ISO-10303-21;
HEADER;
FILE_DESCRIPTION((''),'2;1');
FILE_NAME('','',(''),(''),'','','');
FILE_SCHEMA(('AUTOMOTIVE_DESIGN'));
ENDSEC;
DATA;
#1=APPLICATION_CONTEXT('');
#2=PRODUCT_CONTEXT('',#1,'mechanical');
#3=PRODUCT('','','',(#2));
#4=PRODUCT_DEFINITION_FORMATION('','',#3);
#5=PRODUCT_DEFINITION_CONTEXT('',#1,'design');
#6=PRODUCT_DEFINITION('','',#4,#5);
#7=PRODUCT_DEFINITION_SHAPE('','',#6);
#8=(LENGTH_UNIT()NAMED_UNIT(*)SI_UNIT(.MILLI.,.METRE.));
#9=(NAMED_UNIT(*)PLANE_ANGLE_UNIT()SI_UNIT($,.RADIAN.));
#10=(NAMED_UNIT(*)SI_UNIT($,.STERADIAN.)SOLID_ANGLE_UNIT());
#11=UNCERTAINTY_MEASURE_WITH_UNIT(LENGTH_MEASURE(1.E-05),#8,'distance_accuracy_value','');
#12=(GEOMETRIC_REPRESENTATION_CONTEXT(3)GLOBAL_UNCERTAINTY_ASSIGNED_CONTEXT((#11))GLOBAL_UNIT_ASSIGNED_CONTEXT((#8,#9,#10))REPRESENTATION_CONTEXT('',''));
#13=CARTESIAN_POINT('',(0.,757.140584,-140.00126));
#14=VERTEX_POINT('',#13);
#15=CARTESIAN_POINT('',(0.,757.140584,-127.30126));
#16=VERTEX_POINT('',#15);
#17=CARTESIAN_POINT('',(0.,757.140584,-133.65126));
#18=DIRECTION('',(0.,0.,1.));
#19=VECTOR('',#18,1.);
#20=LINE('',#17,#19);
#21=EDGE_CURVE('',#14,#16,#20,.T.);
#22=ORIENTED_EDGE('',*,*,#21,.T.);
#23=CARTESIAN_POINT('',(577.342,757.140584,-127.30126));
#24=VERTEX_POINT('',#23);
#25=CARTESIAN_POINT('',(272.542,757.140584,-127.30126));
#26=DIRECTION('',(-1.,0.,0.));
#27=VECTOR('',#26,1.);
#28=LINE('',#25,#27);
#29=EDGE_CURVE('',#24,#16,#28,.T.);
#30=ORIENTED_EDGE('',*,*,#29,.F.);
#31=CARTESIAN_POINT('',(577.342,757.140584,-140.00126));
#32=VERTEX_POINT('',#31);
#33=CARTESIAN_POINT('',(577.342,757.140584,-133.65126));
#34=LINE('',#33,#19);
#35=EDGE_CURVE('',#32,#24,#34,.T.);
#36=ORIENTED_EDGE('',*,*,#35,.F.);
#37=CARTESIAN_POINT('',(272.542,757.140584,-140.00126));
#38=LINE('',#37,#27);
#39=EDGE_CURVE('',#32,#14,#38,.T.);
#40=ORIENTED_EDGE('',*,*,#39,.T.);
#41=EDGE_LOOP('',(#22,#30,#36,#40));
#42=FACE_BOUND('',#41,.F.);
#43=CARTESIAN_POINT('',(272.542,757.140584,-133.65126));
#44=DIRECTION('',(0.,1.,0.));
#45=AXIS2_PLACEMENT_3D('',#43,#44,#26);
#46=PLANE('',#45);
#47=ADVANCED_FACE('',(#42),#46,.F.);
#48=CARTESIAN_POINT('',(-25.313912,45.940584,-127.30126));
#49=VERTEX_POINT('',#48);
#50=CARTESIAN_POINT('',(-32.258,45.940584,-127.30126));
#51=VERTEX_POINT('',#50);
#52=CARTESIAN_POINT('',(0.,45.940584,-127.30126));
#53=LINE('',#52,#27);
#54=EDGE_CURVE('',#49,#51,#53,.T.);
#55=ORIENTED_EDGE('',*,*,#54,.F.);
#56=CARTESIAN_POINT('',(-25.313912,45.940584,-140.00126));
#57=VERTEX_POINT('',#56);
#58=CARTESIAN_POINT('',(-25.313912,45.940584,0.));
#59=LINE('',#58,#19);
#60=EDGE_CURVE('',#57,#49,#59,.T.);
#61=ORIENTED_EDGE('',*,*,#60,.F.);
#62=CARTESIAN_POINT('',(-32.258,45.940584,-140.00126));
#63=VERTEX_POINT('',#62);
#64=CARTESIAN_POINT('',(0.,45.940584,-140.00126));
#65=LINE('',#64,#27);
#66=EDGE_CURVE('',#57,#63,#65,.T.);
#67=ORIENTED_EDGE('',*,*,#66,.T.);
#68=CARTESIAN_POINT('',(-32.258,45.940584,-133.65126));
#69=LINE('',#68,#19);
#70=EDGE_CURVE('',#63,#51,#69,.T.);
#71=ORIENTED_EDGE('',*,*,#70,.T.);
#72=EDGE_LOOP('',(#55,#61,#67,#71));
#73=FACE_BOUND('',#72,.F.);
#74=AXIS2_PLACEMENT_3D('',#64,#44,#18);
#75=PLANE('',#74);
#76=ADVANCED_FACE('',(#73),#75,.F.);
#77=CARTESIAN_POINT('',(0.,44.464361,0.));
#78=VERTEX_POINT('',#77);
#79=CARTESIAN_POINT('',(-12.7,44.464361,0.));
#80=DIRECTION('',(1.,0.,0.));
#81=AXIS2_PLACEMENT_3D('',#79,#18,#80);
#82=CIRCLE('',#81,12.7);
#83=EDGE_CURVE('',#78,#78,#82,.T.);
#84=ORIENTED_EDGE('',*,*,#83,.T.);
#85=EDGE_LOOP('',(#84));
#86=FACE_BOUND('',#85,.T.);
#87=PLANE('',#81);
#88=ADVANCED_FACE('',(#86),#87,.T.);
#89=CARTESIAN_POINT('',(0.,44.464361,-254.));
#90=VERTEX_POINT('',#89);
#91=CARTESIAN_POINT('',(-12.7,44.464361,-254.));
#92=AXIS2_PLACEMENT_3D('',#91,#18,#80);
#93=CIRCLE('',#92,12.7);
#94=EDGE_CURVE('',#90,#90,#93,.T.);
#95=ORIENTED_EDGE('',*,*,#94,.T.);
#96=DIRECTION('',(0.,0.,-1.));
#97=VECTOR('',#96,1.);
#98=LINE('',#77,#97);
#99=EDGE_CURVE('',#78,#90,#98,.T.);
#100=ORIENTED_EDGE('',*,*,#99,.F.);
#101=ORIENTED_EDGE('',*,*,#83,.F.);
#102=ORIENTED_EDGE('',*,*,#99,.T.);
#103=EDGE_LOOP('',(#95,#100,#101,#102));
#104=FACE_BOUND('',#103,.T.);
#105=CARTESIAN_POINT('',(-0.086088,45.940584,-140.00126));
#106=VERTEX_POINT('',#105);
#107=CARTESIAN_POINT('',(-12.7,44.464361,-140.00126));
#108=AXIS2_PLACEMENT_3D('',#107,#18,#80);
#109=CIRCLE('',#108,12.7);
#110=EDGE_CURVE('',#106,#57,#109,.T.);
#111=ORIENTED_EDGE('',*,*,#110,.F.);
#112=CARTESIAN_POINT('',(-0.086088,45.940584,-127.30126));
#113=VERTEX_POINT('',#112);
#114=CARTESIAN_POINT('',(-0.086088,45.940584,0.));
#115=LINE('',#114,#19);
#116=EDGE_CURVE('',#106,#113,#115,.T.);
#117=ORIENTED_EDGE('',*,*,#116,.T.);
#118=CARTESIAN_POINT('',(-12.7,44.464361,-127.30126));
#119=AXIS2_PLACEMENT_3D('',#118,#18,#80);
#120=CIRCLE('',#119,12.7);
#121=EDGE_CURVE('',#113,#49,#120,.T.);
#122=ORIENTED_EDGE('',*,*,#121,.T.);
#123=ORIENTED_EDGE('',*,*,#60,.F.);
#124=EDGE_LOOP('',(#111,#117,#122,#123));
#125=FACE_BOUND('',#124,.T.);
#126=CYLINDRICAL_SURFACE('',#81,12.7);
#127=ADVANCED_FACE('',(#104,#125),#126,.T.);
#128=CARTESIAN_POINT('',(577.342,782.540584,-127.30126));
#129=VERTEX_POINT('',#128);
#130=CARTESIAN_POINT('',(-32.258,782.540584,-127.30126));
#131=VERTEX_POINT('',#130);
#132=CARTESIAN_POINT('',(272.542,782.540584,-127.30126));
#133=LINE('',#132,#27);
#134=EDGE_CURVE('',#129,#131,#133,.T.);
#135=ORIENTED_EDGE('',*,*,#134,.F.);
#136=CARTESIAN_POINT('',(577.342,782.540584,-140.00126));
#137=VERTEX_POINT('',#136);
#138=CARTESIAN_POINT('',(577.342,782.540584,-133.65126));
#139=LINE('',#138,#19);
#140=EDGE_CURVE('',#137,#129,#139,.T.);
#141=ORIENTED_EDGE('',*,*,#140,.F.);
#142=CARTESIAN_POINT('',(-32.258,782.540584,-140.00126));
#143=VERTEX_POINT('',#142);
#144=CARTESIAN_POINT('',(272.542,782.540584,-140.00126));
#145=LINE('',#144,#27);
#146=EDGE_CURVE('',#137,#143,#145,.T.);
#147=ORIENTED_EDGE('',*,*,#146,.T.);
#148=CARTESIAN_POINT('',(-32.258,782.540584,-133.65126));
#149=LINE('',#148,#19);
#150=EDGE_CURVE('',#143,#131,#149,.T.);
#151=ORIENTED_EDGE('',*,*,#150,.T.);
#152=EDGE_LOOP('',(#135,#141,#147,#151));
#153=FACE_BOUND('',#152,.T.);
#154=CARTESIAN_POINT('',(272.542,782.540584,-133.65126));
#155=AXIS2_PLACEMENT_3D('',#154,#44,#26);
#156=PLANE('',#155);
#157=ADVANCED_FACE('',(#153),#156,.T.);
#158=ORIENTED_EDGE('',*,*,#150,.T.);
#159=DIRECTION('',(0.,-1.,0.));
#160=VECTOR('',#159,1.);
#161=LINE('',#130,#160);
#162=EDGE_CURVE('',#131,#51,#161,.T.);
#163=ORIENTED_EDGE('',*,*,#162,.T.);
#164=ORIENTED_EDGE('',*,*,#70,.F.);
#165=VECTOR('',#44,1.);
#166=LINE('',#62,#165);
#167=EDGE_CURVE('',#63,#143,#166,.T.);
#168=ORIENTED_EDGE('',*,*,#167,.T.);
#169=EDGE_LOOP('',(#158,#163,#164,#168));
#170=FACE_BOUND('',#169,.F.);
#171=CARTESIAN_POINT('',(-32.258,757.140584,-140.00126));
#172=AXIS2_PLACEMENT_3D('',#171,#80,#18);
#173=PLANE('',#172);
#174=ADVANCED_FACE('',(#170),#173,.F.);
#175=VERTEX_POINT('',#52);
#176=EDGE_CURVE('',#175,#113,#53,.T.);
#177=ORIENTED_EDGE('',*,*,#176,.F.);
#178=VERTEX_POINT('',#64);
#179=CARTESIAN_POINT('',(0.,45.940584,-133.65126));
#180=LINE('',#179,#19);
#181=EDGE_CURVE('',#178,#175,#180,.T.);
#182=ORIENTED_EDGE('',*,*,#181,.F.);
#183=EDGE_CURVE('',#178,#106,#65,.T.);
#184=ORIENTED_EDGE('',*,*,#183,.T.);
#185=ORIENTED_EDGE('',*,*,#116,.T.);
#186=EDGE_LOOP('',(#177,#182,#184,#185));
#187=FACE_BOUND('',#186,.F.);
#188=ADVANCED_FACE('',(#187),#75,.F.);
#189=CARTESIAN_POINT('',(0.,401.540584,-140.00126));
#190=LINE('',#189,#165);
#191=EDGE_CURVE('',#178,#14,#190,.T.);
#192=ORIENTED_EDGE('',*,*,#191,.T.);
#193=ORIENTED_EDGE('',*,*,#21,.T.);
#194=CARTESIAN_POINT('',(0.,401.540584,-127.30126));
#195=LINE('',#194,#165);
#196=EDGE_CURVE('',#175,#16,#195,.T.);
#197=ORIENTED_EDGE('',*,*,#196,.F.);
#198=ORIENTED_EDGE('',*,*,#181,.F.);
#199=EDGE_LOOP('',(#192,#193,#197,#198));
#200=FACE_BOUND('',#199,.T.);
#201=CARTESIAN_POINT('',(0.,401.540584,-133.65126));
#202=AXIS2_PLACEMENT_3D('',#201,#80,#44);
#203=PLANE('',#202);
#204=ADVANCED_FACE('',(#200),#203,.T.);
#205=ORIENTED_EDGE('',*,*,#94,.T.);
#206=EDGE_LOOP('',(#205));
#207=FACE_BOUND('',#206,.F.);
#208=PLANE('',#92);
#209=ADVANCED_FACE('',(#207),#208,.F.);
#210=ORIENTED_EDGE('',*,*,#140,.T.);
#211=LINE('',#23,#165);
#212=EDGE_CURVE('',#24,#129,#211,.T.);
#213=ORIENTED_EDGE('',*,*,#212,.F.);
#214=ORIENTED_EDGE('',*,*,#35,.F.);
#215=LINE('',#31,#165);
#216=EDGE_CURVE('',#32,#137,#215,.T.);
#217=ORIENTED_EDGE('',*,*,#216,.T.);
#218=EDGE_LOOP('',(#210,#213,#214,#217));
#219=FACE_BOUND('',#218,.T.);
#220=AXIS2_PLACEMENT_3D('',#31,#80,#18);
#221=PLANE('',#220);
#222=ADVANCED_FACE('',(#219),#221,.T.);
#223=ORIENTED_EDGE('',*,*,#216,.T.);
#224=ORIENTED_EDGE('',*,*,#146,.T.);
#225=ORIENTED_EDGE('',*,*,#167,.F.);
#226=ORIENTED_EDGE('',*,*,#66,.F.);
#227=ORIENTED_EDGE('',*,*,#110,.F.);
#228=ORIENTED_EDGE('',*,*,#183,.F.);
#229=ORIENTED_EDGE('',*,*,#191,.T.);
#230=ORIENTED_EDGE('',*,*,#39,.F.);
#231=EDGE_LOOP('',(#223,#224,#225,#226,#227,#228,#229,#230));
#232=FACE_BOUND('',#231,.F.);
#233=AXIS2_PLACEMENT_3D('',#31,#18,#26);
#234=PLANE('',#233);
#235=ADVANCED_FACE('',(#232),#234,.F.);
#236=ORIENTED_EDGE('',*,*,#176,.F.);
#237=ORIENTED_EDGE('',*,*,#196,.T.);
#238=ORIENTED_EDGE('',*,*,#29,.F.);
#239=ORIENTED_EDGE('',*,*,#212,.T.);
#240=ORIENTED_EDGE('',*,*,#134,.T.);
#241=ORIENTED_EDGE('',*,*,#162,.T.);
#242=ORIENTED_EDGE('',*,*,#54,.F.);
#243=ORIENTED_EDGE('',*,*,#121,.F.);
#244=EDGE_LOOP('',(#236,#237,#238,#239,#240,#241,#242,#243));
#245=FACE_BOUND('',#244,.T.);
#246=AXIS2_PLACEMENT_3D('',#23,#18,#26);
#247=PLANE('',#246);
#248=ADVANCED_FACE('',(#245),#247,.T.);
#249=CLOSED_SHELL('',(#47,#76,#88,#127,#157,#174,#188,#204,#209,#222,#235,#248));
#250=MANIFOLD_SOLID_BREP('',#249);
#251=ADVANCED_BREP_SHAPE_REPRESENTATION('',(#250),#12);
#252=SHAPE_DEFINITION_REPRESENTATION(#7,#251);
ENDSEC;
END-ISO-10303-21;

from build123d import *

# Parameters (mm, degrees)
F0_R     = 12.7
F1_DEPTH = 254
F2_W     = 711.2
F2_H     = 12.7
F3_DEPTH = 32.258
F4_W     = 609.6
F4_H     = 12.7
F5_DEPTH = 25.4


with BuildPart() as f1:
    # F0 (on Top) → F1 (new body)
    with BuildSketch(Plane.XY):
        with Locations((-12.7, 44.464361)):
            Circle(F0_R)
    extrude(amount=-F1_DEPTH)

    # F2 (on Right) → F3 (join)
    with BuildSketch(Plane.YZ):
        with Locations((401.540584, -133.65126)):
            Rectangle(F2_W, F2_H)
    extrude(amount=-F3_DEPTH)

    # F4 (on face) → F5 (join)
    with BuildSketch(Plane(origin=(0, 757.140584, 0), x_dir=(-1, 0, 0), z_dir=(0, 1, 0))):
        with Locations((-272.542, -133.65126)):
            Rectangle(F4_W, F4_H)
    extrude(amount=F5_DEPTH)


solid = f1.part
